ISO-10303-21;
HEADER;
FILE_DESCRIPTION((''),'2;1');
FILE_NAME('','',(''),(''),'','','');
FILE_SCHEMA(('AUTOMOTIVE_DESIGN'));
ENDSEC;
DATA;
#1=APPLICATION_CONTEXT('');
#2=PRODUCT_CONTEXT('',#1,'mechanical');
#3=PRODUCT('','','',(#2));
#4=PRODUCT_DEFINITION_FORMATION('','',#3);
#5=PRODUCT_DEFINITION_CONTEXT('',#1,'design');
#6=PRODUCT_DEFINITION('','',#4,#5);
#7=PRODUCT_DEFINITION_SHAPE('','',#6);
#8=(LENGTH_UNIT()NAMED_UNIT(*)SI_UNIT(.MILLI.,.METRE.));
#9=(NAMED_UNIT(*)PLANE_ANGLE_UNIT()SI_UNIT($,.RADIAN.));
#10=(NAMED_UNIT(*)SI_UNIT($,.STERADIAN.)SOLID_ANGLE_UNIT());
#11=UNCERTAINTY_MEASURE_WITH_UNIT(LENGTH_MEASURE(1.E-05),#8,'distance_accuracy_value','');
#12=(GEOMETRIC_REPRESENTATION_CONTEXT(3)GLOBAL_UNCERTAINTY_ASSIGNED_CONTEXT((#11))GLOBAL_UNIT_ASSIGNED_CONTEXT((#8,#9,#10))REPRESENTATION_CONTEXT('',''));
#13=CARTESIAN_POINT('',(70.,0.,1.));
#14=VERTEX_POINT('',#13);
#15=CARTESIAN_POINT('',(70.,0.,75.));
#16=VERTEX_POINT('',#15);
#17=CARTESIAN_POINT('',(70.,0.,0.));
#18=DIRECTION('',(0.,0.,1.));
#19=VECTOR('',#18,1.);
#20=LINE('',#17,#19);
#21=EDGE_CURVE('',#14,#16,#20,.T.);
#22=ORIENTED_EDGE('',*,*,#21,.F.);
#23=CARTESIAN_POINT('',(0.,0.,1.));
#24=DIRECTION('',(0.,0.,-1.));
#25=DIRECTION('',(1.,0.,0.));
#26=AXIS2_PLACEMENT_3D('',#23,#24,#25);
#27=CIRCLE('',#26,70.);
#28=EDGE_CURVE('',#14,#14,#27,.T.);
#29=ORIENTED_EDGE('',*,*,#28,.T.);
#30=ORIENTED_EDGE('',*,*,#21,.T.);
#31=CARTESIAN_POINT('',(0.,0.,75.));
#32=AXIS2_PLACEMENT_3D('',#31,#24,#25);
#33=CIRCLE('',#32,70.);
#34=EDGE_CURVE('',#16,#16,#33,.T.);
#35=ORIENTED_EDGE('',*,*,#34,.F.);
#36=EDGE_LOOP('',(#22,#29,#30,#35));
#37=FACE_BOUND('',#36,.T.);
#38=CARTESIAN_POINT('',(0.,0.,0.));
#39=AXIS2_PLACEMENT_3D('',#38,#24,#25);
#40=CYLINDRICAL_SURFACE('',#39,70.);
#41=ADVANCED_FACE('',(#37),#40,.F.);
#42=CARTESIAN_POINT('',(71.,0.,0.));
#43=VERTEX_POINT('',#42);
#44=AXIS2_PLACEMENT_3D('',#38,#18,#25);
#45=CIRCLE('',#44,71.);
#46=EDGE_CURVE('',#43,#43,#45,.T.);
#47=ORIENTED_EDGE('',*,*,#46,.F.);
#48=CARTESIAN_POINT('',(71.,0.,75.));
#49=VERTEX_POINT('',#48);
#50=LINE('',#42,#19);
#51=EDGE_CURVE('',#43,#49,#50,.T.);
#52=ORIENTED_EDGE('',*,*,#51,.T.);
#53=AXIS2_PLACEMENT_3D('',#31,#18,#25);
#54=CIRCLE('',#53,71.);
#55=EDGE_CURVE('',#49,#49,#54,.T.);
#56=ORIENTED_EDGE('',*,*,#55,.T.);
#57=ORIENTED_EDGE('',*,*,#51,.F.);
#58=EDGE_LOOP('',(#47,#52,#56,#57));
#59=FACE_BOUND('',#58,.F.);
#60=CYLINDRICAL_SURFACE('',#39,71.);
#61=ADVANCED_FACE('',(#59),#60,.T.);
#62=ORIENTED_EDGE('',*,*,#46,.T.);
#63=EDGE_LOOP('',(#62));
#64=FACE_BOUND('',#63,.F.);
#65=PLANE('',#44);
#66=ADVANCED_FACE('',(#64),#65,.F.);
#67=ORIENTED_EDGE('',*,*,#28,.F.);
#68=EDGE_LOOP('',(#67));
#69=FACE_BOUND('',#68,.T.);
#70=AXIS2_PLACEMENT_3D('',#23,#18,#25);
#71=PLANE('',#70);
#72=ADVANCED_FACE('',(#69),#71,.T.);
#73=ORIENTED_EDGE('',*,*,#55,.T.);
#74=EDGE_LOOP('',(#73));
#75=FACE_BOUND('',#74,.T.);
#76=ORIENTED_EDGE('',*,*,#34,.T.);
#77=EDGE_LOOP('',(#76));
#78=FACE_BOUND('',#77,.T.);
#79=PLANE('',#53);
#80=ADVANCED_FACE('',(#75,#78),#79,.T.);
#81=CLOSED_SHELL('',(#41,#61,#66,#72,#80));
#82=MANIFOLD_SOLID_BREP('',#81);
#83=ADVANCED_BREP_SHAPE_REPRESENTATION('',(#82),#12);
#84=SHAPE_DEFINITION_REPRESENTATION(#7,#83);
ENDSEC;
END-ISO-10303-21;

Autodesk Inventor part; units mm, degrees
ref_plane "YZ Plane" through (0, 0, 0) normal (1, 0, 0) x (0, 1, 0)
ref_plane "XZ Plane" through (0, 0, 0) normal (0, 1, 0) x (-1, 0, 0)
ref_plane "XY Plane" through (0, 0, 0) normal (0, 0, 1) x (1, 0, 0)
sketch "スケッチ1" plane through (0, 0, 0) normal (0, 0, 1) x (1, 0, 0)
  circle A0 centre (0, 0) radius 71
  dimension "d0" = 142
extrude "押し出し1" add sketch "スケッチ1" along normal blind 75
shell "シェル1" thickness 1 removed faces 1 at (12.047, 0, 75)
properties part number "使用タイヤ　プラ版部分" material "PET プラスチック"
